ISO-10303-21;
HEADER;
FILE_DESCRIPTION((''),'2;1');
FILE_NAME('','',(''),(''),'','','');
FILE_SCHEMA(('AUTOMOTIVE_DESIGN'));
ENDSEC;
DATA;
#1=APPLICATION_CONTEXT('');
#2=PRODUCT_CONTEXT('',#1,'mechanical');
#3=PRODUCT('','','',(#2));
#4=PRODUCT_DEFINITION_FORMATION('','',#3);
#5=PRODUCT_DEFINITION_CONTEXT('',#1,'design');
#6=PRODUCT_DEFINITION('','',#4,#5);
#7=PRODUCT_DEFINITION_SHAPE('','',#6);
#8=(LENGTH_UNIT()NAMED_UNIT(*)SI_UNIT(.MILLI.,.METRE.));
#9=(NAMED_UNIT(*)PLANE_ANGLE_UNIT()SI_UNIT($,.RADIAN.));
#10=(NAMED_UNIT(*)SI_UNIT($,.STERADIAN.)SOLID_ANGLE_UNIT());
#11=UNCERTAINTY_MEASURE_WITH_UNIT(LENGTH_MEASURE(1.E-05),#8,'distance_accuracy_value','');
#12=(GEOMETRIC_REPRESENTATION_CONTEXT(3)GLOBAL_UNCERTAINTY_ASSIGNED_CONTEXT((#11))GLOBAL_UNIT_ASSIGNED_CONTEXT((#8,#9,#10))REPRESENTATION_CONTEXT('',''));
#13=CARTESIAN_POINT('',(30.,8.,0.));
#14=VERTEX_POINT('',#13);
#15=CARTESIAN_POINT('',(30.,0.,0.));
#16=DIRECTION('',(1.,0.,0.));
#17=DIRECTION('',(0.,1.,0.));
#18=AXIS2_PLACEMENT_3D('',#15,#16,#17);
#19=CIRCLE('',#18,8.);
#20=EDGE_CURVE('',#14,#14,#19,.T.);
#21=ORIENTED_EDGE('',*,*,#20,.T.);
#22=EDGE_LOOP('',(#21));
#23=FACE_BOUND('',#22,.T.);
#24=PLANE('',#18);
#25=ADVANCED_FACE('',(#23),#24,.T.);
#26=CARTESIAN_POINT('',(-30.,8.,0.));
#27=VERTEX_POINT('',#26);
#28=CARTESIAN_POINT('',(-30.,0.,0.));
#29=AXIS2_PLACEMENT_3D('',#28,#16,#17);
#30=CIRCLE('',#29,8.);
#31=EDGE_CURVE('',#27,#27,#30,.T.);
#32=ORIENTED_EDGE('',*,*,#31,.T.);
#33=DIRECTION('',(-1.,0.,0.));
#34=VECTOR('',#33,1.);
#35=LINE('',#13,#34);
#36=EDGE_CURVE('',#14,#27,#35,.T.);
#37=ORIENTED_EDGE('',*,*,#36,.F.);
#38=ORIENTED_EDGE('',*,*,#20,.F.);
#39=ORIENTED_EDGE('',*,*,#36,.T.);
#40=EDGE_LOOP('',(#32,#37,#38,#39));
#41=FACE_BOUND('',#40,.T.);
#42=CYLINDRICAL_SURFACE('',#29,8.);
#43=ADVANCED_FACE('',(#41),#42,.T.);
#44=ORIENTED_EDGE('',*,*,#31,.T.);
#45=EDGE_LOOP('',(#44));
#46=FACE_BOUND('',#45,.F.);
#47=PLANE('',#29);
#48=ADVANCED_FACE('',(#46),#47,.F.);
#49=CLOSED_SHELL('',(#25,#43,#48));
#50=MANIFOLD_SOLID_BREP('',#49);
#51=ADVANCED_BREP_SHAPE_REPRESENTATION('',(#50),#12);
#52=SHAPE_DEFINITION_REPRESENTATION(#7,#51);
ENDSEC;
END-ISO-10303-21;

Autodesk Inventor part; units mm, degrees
ref_plane "YZ Plane" through (0, 0, 0) normal (1, 0, 0) x (0, 1, 0)
ref_plane "XZ Plane" through (0, 0, 0) normal (0, 1, 0) x (-1, 0, 0)
sketch "Szkic1" plane through (0, 0, 0) normal (0, 0, 1) x (1, 0, 0)
  line L0 (30, 8) -> (30, 0)
  line L1 (-30, 0) -> (30, 0)
  line L2 (-42, 0) -> (42, 0) projected
  line L3 (0, 9.6) -> (0, -1.6) projected
  line L4 (-30, 8) -> (-30, 0)
  line L5 (0, 8) -> (0, 0) construction
  line L6 (-42, 0) -> (42, 0) projected
  line L7 (-30, 8) -> (30, 8)
  dimension "d13" = 16
  dimension "d87" = 60
  dimension "d88" = 30
revolve "Bryła" add sketch "Szkic1" angle 360 about axis through (-30, 0, 0) along (1, 0, 0)
thread "Gwint1" size "M16x2" class "6g" standard "ISO Metric profile" length 60
ref_plane "Work Plane1" through (2.75, 0, 0) normal (0, -1, 0) x (1, 0, 0)
equation "\"d13\" = NND"
equation "\"d87\" = NLG"
equation "\"d88\" = 0.5 * NLG"
equation "\"d1\" = GEL"
equation "\"NLG\" = 60"
equation "\"GEL\" = NLG"
equation "\"GAL\" = 0.61345 * PTC"
equation "\"SPD\" = 13.271"
equation "\"d0\" = NND"
equation "\"GUL\" = 0.61345 * PTC"
equation "\"NND\" = 16"
equation "\"GUL1\" = GUL"
equation "\"GAL1\" = GAL"
equation "\"d89\" = -GEL + GUL1"
equation "\"d90\" = -GUL - GEL"
equation "\"PTC\" = 2"
equation "\"THREADDIA\" = 16"
equation "\"TOA\" = 30deg"
equation "\"GD1\" = THREADDIA - 1.2269 * PTC"
properties part number "DIN 976-1 - M16 x 60 - A" material "Stal, miękka"
